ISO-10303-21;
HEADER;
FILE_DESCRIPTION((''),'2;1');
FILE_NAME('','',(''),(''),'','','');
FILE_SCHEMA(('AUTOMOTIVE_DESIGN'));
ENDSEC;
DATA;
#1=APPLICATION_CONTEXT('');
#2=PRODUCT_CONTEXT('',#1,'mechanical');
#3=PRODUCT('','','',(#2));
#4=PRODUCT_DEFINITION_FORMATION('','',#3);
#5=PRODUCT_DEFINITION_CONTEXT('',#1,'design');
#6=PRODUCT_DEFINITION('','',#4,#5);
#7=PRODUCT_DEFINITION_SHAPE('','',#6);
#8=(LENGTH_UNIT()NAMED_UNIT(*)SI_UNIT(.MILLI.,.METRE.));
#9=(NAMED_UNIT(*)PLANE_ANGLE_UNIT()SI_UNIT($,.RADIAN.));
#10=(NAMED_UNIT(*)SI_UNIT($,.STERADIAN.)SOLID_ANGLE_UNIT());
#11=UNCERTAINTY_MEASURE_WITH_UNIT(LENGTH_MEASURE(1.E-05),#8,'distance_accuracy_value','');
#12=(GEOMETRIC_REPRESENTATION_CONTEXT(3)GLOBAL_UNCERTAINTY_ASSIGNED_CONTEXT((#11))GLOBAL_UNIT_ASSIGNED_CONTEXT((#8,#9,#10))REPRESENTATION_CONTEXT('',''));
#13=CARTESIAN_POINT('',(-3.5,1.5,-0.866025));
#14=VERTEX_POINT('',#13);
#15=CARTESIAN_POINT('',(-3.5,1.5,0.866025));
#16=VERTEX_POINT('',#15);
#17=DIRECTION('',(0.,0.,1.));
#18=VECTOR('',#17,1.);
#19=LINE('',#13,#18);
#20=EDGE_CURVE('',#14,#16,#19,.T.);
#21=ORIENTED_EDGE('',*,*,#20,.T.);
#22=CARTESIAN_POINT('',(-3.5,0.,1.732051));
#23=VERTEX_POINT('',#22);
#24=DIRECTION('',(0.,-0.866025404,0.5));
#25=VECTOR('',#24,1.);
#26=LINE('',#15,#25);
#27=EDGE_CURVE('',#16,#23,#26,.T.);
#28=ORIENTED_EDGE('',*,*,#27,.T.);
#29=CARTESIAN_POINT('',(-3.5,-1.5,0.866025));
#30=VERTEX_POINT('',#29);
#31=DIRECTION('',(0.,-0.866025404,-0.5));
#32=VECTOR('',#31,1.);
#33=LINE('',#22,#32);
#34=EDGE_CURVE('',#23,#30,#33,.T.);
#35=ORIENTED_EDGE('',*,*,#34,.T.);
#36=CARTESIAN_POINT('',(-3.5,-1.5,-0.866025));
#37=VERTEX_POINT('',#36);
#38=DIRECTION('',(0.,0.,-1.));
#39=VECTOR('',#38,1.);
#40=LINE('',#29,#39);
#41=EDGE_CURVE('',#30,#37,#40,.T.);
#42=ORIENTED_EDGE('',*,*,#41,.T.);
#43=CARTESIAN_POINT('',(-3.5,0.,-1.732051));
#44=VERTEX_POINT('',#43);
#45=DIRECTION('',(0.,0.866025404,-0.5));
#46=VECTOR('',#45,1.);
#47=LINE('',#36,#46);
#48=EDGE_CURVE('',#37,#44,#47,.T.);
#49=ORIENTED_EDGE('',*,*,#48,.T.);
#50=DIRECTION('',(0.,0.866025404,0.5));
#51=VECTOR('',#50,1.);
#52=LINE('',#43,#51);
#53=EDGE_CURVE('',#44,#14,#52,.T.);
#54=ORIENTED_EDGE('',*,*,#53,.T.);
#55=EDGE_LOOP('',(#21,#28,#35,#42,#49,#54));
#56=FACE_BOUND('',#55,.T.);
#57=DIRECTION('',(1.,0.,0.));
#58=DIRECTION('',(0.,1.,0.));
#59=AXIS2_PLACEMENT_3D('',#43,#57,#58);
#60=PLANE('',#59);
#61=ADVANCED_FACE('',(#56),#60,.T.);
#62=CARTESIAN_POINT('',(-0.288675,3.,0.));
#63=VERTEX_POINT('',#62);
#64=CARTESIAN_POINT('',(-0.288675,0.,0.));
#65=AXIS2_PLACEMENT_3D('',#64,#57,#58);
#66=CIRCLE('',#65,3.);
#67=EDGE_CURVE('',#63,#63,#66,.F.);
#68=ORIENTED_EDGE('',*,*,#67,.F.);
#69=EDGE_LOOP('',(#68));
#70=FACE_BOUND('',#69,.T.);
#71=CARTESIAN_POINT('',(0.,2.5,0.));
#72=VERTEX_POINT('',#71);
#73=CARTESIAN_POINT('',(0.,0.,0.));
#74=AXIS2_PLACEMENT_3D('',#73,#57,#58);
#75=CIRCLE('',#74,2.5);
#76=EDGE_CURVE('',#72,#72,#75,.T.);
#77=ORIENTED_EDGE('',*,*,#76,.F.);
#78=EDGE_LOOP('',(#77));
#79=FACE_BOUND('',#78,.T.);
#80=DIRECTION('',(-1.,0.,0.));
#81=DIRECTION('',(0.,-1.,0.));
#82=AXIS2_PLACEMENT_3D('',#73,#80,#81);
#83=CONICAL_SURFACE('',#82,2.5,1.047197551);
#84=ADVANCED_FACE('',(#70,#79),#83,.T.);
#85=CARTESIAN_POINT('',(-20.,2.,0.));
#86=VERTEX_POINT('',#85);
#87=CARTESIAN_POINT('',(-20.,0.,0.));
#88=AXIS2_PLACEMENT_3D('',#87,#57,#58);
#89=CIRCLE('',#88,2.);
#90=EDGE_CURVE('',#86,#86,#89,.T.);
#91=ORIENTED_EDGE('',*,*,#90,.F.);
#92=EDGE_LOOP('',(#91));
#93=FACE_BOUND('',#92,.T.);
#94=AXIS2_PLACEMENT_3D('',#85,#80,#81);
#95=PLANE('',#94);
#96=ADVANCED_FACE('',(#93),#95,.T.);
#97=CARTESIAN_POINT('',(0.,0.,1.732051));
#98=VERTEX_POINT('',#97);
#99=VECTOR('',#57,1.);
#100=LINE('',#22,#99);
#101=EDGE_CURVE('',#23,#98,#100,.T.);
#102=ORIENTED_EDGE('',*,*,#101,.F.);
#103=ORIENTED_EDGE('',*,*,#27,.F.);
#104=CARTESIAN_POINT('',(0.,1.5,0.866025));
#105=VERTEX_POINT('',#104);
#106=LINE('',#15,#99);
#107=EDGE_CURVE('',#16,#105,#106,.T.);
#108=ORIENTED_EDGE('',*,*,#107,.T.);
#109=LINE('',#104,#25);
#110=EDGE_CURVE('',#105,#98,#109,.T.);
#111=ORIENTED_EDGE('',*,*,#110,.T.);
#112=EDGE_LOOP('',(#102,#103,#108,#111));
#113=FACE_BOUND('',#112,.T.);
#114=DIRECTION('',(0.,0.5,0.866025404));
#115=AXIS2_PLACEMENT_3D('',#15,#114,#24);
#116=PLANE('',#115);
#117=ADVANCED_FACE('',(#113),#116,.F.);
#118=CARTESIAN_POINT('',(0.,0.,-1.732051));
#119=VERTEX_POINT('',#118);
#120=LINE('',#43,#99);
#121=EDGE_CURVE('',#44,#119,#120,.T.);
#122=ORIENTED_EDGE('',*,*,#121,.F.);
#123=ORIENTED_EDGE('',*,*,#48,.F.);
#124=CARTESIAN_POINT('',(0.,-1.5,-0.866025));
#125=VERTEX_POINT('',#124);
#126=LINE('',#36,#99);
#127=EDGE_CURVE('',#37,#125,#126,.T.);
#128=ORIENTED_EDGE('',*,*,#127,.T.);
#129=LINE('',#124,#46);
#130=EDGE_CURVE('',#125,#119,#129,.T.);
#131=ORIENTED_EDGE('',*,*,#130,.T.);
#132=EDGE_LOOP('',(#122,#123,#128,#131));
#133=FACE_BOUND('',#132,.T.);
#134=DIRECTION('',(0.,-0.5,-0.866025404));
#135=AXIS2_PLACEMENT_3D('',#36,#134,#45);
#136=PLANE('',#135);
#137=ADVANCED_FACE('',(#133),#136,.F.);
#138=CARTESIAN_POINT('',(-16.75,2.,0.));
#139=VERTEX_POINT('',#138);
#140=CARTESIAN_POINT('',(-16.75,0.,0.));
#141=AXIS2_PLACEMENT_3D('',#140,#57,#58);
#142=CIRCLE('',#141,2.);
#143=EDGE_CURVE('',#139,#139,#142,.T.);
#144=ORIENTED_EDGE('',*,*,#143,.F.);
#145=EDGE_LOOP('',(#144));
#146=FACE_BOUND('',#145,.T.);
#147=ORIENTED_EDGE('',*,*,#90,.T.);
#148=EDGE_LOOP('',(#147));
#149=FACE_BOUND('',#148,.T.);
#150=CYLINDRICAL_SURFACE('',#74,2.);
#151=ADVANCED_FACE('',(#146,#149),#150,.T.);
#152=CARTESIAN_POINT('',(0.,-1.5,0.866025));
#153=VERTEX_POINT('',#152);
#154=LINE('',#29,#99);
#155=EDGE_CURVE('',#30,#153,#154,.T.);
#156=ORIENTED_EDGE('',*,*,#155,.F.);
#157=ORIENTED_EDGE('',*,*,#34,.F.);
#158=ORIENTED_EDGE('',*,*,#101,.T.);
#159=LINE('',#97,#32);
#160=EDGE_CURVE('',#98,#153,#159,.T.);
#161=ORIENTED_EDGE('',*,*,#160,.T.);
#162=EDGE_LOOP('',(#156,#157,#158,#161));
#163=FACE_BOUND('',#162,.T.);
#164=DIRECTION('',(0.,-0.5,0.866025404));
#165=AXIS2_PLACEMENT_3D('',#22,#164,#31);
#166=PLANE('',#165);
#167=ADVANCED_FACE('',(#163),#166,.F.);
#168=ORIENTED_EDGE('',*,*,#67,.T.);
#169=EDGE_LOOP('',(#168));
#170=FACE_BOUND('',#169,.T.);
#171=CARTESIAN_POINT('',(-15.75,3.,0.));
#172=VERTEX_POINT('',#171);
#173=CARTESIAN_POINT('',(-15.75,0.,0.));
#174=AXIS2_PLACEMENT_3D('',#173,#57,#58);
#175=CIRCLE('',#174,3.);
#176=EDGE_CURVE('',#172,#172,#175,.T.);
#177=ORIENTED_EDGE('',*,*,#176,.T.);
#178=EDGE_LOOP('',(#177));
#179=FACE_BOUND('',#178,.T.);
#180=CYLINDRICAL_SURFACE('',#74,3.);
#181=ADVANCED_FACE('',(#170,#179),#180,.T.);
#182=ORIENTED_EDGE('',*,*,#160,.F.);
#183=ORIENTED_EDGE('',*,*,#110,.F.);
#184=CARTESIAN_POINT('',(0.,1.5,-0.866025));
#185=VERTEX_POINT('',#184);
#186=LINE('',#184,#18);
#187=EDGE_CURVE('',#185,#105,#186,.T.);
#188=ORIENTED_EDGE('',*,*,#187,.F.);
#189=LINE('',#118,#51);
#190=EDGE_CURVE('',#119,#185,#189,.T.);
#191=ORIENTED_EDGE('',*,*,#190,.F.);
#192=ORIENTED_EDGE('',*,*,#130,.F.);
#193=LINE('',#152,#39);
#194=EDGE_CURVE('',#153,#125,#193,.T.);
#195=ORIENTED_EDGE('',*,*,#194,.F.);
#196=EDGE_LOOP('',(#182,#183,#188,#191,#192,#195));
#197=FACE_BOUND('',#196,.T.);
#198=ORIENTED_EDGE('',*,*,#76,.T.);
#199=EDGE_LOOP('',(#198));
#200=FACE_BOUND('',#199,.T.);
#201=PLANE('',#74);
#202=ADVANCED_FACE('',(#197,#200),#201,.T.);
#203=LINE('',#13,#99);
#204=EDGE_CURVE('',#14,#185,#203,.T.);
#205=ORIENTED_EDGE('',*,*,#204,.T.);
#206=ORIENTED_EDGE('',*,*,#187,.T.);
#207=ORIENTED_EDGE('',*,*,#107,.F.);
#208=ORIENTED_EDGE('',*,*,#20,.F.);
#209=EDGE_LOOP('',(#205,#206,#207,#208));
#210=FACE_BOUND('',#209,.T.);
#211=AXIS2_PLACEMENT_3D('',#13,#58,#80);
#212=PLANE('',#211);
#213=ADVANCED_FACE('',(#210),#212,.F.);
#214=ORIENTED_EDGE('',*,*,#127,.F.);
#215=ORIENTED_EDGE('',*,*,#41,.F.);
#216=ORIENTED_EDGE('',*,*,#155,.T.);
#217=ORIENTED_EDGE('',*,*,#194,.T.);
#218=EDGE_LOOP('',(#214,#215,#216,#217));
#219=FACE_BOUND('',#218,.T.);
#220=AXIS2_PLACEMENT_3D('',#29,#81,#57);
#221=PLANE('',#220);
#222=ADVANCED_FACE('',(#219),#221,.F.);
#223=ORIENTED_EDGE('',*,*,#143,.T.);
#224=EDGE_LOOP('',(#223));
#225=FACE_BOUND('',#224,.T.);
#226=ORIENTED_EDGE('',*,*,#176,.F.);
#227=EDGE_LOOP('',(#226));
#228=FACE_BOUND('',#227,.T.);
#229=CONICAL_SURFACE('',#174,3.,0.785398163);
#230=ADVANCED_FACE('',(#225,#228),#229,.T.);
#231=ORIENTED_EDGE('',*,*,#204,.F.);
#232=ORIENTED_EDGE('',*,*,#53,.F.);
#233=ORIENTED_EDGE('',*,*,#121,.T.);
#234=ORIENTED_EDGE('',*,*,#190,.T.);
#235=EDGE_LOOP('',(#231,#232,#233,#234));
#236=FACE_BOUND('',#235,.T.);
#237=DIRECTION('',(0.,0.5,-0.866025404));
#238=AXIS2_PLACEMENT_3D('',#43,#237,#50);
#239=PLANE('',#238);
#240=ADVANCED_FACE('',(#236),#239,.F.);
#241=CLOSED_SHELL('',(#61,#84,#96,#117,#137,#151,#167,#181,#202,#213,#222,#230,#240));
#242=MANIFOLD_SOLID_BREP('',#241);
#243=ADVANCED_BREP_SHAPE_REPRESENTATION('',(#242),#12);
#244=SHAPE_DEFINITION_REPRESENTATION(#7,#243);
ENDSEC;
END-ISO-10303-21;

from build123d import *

# Parameters (mm, degrees)
CUT_EXTRUDE1_DEPTH = 3.5
CHAMFER1_SIZE      = 0.5
CHAMFER1_SIZE2     = 0.288675135


with BuildPart() as part:
    # Sketch1 → Revolve1 (revolve)
    with BuildSketch(Plane.XY):
        Polygon((0, 0), (0, 3), (-15.75, 3), (-16.75, 2), (-20, 2), (-20, 0), align=None)
    revolve(axis=Axis((0, 0, 0), (-1, 0, 0)))

    # Sketch2 → Cut-Extrude1 (cut)
    with BuildSketch(Plane(origin=(0, 0, 0), x_dir=(0, 0, -1), z_dir=(1, 0, 0))):
        Polygon((1.732050808, 0), (0.866025404, 1.5), (-0.866025404, 1.5), (-1.732050808, 0), (-0.866025404, -1.5), (0.866025404, -1.5), align=None)
    extrude(amount=-CUT_EXTRUDE1_DEPTH, mode=Mode.SUBTRACT)

    # Chamfer1
    chamfer1_edges = [part.edges().sort_by_distance(p)[0] for p in [
        (0, -3, 0),
    ]]
    chamfer1_side = [part.faces().sort_by_distance(p)[0] for p in [
        (0, -2.915147186, 0),
    ]]
    chamfer(chamfer1_edges, length=CHAMFER1_SIZE, length2=CHAMFER1_SIZE2, reference=chamfer1_side[0])


solid = part.part
